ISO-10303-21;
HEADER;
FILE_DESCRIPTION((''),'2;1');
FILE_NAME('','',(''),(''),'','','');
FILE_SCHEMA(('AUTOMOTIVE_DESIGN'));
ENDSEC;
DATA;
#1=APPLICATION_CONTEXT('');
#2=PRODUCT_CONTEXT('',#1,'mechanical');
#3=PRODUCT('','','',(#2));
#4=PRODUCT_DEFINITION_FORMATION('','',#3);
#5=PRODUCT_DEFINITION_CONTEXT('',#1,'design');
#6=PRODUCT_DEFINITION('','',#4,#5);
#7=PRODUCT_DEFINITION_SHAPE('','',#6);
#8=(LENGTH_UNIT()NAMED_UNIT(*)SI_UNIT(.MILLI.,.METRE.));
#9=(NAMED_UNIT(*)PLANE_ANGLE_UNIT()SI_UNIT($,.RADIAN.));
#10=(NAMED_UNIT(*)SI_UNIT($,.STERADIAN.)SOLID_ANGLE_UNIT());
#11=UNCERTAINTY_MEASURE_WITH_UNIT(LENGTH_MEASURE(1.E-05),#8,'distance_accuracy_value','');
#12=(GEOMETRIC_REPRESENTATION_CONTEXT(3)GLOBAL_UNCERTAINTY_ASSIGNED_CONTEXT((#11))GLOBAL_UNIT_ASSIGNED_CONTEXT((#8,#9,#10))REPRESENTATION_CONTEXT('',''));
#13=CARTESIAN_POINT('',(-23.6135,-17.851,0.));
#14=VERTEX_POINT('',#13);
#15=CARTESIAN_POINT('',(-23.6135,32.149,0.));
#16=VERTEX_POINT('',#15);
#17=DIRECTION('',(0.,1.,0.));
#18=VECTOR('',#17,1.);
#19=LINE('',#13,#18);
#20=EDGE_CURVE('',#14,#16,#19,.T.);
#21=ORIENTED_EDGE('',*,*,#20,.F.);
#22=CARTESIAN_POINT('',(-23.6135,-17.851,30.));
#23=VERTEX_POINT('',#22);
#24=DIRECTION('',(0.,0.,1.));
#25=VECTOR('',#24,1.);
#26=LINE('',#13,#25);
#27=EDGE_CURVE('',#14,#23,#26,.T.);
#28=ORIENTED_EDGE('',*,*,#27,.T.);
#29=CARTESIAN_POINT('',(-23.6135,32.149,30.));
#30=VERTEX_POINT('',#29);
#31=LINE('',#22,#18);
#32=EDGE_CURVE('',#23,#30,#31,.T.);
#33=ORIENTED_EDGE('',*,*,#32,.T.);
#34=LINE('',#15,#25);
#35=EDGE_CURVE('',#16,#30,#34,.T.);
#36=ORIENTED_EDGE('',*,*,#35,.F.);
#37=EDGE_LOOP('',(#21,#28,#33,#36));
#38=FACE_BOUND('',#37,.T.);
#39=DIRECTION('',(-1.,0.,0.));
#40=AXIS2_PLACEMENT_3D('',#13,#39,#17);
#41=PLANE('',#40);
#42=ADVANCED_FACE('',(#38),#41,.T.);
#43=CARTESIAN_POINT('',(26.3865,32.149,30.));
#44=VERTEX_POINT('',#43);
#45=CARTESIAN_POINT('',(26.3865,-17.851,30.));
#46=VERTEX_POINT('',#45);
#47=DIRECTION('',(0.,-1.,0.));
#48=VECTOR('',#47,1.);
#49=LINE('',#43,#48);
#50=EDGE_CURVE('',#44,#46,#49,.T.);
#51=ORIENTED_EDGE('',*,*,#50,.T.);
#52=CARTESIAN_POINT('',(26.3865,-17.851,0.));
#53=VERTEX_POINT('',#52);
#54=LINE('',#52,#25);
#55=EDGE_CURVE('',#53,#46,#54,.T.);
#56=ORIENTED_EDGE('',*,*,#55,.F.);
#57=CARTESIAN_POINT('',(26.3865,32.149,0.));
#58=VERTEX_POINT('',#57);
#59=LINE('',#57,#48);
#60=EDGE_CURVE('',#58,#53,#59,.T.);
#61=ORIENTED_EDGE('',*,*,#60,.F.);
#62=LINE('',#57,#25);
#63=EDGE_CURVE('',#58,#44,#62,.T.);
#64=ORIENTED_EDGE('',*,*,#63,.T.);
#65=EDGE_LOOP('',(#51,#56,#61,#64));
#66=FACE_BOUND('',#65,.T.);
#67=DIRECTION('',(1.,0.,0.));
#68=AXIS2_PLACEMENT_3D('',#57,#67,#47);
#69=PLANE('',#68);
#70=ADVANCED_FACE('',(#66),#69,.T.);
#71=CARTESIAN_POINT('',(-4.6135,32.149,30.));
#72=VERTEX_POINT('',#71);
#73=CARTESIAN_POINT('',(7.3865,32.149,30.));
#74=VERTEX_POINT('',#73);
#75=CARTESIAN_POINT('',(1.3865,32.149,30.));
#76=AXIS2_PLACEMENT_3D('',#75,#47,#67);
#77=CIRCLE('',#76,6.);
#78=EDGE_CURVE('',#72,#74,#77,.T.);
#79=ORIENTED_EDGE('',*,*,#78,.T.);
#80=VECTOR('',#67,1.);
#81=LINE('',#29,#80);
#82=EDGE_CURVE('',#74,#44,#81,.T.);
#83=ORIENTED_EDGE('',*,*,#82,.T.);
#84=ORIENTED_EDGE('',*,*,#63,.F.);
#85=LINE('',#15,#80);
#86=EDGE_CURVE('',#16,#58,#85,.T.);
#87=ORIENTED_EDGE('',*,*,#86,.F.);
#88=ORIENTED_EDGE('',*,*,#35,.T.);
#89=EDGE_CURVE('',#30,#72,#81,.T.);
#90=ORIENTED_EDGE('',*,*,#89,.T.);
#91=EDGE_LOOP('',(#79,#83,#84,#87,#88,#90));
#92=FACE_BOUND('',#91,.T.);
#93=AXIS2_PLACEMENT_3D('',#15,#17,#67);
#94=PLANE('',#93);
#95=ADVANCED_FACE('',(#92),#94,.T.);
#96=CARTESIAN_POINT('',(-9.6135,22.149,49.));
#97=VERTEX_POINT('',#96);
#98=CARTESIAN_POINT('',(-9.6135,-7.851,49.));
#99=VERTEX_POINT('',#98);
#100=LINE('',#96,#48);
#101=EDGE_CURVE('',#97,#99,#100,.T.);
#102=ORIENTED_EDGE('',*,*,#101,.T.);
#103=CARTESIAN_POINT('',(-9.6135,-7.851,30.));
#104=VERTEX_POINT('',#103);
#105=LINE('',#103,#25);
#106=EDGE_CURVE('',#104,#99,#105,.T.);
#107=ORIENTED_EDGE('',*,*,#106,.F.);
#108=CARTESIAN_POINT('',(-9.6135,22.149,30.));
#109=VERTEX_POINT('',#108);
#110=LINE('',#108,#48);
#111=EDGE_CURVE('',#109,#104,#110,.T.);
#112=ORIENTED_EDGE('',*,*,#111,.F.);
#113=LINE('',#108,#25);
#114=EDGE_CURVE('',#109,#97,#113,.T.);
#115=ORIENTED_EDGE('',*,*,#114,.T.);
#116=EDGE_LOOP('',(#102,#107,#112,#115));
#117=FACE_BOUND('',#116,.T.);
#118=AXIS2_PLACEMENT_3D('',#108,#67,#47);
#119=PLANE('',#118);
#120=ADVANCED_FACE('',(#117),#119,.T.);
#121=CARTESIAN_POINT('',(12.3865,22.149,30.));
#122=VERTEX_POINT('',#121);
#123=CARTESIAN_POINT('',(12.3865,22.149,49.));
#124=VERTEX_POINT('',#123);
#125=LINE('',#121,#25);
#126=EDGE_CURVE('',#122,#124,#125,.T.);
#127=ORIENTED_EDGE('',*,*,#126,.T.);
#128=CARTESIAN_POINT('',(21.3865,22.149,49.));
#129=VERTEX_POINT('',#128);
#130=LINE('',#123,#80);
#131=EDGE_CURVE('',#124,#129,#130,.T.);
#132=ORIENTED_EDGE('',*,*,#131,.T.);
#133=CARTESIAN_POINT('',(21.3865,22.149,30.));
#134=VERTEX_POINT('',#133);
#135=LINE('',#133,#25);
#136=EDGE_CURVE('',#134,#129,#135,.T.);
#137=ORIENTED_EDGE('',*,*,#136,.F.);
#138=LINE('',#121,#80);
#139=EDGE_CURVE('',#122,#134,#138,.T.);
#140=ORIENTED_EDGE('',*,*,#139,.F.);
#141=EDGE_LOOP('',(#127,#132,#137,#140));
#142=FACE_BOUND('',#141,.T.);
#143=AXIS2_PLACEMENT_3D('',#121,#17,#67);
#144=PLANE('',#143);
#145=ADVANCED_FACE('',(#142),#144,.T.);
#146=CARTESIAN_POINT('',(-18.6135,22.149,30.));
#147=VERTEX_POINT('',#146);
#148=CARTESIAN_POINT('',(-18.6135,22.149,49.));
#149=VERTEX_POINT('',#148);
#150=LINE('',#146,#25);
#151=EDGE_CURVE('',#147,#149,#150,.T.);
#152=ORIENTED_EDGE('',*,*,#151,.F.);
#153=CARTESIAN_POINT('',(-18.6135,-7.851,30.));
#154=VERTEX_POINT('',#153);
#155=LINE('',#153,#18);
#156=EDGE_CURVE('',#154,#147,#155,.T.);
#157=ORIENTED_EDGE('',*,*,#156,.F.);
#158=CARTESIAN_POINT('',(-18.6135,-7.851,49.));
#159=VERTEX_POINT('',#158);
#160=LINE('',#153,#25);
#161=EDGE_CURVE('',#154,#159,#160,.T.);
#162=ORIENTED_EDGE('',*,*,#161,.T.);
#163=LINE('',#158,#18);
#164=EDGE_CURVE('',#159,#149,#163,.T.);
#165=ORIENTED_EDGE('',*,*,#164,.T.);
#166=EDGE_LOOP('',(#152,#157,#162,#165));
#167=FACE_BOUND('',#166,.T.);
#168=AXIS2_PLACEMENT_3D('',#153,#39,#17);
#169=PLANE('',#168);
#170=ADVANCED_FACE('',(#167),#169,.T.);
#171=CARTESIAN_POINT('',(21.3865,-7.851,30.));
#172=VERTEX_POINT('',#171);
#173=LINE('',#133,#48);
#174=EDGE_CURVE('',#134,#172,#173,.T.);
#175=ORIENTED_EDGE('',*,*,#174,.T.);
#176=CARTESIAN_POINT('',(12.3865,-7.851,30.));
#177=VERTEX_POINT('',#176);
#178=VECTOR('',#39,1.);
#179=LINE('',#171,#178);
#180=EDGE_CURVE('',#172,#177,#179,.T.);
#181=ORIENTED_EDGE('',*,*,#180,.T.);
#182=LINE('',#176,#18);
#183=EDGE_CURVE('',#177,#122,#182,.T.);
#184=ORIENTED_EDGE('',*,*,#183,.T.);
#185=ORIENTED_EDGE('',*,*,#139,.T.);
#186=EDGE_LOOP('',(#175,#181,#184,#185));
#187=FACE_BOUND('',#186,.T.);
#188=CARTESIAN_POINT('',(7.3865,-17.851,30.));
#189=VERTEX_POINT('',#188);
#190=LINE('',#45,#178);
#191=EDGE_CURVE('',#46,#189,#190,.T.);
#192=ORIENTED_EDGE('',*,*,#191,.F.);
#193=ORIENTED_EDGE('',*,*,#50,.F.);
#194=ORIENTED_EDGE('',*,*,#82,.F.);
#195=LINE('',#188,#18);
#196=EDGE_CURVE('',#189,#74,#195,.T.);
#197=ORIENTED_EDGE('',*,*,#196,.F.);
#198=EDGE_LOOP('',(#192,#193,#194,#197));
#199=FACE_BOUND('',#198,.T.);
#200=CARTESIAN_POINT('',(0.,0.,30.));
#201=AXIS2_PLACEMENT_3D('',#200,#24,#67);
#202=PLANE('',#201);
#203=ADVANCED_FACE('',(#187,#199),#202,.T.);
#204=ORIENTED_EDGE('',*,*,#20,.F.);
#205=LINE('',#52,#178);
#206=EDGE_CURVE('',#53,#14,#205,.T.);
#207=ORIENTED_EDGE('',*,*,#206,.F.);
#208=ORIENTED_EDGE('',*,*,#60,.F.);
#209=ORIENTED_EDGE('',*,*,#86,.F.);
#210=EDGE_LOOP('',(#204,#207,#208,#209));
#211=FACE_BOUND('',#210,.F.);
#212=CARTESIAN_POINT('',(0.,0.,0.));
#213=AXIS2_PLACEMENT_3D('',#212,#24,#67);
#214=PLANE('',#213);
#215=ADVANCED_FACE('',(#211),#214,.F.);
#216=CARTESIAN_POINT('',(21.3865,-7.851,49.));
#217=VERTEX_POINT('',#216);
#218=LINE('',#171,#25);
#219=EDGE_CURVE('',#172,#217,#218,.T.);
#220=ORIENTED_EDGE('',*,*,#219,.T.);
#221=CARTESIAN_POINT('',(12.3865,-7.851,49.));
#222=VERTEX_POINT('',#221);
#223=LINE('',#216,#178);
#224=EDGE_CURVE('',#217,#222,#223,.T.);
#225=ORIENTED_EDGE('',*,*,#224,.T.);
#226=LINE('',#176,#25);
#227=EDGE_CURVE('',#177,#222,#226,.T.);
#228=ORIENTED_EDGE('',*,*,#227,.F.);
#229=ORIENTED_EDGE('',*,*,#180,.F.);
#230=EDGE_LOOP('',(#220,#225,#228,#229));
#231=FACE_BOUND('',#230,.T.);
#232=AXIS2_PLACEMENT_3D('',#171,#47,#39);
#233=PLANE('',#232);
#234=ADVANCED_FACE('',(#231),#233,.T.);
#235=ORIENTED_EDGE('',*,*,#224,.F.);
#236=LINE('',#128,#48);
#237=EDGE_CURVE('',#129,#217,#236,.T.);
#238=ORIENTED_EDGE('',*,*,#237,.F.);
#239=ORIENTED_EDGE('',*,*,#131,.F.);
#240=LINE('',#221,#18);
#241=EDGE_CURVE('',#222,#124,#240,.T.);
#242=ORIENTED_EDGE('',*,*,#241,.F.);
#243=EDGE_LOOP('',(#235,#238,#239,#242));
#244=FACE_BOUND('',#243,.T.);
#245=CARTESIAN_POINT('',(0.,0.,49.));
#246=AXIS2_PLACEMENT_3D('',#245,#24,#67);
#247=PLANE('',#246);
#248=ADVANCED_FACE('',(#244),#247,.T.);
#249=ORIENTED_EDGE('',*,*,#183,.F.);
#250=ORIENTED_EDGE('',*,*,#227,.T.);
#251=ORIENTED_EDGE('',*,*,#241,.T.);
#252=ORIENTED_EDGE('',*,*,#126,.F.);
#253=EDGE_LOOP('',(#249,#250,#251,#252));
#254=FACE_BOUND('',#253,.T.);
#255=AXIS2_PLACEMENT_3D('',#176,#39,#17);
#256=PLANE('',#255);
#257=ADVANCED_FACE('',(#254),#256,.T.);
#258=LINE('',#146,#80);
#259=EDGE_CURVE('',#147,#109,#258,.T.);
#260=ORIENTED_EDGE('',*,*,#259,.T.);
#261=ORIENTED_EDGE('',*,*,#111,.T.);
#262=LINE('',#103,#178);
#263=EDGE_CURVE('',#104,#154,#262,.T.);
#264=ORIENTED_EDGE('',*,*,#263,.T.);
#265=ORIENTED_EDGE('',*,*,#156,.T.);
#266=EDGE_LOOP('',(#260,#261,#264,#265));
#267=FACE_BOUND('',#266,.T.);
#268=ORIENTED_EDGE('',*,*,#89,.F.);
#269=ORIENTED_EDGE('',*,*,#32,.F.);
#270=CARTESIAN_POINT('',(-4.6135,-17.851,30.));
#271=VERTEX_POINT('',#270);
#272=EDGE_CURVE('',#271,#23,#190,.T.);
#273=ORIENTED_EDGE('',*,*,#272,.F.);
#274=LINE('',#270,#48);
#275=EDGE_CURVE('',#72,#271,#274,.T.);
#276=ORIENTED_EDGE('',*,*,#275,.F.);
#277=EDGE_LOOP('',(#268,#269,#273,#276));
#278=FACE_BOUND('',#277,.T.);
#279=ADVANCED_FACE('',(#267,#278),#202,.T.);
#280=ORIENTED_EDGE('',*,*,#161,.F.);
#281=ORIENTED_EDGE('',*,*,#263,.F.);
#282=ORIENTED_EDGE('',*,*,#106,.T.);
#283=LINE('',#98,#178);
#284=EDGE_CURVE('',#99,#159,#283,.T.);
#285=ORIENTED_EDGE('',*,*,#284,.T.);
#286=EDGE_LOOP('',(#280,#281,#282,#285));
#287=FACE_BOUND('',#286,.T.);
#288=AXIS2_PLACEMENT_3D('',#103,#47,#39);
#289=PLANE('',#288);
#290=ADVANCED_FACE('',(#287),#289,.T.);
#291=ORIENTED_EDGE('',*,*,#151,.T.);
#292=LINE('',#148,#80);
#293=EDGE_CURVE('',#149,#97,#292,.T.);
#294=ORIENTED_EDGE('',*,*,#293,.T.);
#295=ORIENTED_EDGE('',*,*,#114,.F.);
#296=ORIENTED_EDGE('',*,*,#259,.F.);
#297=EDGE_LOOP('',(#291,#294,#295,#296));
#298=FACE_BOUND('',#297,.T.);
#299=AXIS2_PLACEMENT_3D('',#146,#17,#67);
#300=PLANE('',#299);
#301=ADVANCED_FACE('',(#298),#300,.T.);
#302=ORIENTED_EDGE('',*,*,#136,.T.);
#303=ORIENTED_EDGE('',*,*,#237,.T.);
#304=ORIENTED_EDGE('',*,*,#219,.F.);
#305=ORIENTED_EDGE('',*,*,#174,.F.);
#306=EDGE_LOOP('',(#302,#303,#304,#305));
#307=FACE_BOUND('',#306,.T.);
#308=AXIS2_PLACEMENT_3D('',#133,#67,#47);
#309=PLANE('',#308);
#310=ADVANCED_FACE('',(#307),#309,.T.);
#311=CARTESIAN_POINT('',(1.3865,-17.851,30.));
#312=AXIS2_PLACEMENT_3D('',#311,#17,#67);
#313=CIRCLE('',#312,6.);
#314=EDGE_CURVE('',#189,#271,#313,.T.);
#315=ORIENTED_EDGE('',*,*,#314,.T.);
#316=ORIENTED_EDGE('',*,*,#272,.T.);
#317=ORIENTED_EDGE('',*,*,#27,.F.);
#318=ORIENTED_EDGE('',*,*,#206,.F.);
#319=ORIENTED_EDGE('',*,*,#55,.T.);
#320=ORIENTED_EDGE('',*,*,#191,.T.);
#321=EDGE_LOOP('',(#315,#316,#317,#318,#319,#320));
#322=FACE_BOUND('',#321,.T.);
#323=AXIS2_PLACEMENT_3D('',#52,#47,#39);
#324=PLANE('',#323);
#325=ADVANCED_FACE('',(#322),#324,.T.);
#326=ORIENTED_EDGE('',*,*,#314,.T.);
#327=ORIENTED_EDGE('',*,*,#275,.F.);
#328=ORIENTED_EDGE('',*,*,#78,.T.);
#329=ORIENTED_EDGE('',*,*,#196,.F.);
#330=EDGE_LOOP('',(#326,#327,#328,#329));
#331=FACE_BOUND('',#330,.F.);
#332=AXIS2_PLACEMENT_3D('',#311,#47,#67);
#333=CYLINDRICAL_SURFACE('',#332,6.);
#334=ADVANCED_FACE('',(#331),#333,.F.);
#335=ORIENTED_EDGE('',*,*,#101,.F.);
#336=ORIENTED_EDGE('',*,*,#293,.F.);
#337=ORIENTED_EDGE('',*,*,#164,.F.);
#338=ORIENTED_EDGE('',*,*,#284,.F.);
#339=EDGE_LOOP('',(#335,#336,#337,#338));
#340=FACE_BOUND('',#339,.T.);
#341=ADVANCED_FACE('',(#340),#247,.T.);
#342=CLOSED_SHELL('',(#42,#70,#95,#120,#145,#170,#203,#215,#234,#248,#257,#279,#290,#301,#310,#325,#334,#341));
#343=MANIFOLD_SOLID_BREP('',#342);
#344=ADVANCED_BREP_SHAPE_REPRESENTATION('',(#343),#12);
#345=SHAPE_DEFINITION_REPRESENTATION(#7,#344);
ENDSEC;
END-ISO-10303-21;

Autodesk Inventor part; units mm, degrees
ref_plane "YZ Plane" through (0, 0, 0) normal (1, 0, 0) x (0, 1, 0)
ref_plane "XZ Plane" through (0, 0, 0) normal (0, 1, 0) x (-1, 0, 0)
ref_plane "XY Plane" through (0, 0, 0) normal (0, 0, 1) x (1, 0, 0)
sketch "Sketch1" plane through (0, 0, 0) normal (0, 0, 1) x (1, 0, 0)
  line L0 (-23.6135, 32.149) -> (26.3865, 32.149)
  line L1 (26.3865, 32.149) -> (26.3865, -17.851)
  line L2 (26.3865, -17.851) -> (-23.6135, -17.851)
  line L3 (-23.6135, -17.851) -> (-23.6135, 32.149)
  point P0 (0, 0)
  dimension "d0" = 50
  dimension "d1" = 50
extrude "Extrusion1" add sketch "Sketch1" along normal blind 30
sketch "Sketch2" plane through (0, 0, 30) normal (0, 0, 1) x (1, 0, 0)
  line L0 (12.3865, 22.149) -> (21.3865, 22.149)
  line L1 (21.3865, 22.149) -> (21.3865, -7.851)
  line L2 (21.3865, -7.851) -> (12.3865, -7.851)
  line L3 (12.3865, -7.851) -> (12.3865, 22.149)
  line L4 (-18.6135, 22.149) -> (-9.6135, 22.149)
  line L5 (-9.6135, 22.149) -> (-9.6135, -7.851)
  line L6 (-9.6135, -7.851) -> (-18.6135, -7.851)
  line L7 (-18.6135, -7.851) -> (-18.6135, 22.149)
  line L8 (26.3865, 32.149) -> (-23.6135, 32.149) projected
  line L9 (-23.6135, -17.851) -> (26.3865, -17.851) projected
  line L10 (26.3865, -17.851) -> (26.3865, 32.149) projected
  line L11 (-23.6135, 32.149) -> (-23.6135, -17.851) projected
  point P0 (0, 0)
  dimension "d4" = 10
  dimension "d5" = 10
  dimension "d6" = 5
  dimension "d7" = 5
  dimension "d11" = 9
  dimension "d12" = 9
sketch "Sketch3" plane through (-23.6135, -17.851, 0) normal (0, -1, 0) x (1, 0, 0)
  line L0 (0, 30) -> (50, 30) projected
  circle A0 centre (25, 30) radius 6
  point P0 (23.6135, 0)
  dimension "d8" = 12
  dimension "d13" = 25
extrude "Extrusion2" cut sketch "Sketch3" against normal blind 50
extrude "Extrusion3" add sketch "Sketch2" along normal blind 19 contours L0 L1 L2 L3 | L4 L5 L6 L7
equation "\"d1\" = d0"
properties part number "laser top" material "Iron, Cast"
